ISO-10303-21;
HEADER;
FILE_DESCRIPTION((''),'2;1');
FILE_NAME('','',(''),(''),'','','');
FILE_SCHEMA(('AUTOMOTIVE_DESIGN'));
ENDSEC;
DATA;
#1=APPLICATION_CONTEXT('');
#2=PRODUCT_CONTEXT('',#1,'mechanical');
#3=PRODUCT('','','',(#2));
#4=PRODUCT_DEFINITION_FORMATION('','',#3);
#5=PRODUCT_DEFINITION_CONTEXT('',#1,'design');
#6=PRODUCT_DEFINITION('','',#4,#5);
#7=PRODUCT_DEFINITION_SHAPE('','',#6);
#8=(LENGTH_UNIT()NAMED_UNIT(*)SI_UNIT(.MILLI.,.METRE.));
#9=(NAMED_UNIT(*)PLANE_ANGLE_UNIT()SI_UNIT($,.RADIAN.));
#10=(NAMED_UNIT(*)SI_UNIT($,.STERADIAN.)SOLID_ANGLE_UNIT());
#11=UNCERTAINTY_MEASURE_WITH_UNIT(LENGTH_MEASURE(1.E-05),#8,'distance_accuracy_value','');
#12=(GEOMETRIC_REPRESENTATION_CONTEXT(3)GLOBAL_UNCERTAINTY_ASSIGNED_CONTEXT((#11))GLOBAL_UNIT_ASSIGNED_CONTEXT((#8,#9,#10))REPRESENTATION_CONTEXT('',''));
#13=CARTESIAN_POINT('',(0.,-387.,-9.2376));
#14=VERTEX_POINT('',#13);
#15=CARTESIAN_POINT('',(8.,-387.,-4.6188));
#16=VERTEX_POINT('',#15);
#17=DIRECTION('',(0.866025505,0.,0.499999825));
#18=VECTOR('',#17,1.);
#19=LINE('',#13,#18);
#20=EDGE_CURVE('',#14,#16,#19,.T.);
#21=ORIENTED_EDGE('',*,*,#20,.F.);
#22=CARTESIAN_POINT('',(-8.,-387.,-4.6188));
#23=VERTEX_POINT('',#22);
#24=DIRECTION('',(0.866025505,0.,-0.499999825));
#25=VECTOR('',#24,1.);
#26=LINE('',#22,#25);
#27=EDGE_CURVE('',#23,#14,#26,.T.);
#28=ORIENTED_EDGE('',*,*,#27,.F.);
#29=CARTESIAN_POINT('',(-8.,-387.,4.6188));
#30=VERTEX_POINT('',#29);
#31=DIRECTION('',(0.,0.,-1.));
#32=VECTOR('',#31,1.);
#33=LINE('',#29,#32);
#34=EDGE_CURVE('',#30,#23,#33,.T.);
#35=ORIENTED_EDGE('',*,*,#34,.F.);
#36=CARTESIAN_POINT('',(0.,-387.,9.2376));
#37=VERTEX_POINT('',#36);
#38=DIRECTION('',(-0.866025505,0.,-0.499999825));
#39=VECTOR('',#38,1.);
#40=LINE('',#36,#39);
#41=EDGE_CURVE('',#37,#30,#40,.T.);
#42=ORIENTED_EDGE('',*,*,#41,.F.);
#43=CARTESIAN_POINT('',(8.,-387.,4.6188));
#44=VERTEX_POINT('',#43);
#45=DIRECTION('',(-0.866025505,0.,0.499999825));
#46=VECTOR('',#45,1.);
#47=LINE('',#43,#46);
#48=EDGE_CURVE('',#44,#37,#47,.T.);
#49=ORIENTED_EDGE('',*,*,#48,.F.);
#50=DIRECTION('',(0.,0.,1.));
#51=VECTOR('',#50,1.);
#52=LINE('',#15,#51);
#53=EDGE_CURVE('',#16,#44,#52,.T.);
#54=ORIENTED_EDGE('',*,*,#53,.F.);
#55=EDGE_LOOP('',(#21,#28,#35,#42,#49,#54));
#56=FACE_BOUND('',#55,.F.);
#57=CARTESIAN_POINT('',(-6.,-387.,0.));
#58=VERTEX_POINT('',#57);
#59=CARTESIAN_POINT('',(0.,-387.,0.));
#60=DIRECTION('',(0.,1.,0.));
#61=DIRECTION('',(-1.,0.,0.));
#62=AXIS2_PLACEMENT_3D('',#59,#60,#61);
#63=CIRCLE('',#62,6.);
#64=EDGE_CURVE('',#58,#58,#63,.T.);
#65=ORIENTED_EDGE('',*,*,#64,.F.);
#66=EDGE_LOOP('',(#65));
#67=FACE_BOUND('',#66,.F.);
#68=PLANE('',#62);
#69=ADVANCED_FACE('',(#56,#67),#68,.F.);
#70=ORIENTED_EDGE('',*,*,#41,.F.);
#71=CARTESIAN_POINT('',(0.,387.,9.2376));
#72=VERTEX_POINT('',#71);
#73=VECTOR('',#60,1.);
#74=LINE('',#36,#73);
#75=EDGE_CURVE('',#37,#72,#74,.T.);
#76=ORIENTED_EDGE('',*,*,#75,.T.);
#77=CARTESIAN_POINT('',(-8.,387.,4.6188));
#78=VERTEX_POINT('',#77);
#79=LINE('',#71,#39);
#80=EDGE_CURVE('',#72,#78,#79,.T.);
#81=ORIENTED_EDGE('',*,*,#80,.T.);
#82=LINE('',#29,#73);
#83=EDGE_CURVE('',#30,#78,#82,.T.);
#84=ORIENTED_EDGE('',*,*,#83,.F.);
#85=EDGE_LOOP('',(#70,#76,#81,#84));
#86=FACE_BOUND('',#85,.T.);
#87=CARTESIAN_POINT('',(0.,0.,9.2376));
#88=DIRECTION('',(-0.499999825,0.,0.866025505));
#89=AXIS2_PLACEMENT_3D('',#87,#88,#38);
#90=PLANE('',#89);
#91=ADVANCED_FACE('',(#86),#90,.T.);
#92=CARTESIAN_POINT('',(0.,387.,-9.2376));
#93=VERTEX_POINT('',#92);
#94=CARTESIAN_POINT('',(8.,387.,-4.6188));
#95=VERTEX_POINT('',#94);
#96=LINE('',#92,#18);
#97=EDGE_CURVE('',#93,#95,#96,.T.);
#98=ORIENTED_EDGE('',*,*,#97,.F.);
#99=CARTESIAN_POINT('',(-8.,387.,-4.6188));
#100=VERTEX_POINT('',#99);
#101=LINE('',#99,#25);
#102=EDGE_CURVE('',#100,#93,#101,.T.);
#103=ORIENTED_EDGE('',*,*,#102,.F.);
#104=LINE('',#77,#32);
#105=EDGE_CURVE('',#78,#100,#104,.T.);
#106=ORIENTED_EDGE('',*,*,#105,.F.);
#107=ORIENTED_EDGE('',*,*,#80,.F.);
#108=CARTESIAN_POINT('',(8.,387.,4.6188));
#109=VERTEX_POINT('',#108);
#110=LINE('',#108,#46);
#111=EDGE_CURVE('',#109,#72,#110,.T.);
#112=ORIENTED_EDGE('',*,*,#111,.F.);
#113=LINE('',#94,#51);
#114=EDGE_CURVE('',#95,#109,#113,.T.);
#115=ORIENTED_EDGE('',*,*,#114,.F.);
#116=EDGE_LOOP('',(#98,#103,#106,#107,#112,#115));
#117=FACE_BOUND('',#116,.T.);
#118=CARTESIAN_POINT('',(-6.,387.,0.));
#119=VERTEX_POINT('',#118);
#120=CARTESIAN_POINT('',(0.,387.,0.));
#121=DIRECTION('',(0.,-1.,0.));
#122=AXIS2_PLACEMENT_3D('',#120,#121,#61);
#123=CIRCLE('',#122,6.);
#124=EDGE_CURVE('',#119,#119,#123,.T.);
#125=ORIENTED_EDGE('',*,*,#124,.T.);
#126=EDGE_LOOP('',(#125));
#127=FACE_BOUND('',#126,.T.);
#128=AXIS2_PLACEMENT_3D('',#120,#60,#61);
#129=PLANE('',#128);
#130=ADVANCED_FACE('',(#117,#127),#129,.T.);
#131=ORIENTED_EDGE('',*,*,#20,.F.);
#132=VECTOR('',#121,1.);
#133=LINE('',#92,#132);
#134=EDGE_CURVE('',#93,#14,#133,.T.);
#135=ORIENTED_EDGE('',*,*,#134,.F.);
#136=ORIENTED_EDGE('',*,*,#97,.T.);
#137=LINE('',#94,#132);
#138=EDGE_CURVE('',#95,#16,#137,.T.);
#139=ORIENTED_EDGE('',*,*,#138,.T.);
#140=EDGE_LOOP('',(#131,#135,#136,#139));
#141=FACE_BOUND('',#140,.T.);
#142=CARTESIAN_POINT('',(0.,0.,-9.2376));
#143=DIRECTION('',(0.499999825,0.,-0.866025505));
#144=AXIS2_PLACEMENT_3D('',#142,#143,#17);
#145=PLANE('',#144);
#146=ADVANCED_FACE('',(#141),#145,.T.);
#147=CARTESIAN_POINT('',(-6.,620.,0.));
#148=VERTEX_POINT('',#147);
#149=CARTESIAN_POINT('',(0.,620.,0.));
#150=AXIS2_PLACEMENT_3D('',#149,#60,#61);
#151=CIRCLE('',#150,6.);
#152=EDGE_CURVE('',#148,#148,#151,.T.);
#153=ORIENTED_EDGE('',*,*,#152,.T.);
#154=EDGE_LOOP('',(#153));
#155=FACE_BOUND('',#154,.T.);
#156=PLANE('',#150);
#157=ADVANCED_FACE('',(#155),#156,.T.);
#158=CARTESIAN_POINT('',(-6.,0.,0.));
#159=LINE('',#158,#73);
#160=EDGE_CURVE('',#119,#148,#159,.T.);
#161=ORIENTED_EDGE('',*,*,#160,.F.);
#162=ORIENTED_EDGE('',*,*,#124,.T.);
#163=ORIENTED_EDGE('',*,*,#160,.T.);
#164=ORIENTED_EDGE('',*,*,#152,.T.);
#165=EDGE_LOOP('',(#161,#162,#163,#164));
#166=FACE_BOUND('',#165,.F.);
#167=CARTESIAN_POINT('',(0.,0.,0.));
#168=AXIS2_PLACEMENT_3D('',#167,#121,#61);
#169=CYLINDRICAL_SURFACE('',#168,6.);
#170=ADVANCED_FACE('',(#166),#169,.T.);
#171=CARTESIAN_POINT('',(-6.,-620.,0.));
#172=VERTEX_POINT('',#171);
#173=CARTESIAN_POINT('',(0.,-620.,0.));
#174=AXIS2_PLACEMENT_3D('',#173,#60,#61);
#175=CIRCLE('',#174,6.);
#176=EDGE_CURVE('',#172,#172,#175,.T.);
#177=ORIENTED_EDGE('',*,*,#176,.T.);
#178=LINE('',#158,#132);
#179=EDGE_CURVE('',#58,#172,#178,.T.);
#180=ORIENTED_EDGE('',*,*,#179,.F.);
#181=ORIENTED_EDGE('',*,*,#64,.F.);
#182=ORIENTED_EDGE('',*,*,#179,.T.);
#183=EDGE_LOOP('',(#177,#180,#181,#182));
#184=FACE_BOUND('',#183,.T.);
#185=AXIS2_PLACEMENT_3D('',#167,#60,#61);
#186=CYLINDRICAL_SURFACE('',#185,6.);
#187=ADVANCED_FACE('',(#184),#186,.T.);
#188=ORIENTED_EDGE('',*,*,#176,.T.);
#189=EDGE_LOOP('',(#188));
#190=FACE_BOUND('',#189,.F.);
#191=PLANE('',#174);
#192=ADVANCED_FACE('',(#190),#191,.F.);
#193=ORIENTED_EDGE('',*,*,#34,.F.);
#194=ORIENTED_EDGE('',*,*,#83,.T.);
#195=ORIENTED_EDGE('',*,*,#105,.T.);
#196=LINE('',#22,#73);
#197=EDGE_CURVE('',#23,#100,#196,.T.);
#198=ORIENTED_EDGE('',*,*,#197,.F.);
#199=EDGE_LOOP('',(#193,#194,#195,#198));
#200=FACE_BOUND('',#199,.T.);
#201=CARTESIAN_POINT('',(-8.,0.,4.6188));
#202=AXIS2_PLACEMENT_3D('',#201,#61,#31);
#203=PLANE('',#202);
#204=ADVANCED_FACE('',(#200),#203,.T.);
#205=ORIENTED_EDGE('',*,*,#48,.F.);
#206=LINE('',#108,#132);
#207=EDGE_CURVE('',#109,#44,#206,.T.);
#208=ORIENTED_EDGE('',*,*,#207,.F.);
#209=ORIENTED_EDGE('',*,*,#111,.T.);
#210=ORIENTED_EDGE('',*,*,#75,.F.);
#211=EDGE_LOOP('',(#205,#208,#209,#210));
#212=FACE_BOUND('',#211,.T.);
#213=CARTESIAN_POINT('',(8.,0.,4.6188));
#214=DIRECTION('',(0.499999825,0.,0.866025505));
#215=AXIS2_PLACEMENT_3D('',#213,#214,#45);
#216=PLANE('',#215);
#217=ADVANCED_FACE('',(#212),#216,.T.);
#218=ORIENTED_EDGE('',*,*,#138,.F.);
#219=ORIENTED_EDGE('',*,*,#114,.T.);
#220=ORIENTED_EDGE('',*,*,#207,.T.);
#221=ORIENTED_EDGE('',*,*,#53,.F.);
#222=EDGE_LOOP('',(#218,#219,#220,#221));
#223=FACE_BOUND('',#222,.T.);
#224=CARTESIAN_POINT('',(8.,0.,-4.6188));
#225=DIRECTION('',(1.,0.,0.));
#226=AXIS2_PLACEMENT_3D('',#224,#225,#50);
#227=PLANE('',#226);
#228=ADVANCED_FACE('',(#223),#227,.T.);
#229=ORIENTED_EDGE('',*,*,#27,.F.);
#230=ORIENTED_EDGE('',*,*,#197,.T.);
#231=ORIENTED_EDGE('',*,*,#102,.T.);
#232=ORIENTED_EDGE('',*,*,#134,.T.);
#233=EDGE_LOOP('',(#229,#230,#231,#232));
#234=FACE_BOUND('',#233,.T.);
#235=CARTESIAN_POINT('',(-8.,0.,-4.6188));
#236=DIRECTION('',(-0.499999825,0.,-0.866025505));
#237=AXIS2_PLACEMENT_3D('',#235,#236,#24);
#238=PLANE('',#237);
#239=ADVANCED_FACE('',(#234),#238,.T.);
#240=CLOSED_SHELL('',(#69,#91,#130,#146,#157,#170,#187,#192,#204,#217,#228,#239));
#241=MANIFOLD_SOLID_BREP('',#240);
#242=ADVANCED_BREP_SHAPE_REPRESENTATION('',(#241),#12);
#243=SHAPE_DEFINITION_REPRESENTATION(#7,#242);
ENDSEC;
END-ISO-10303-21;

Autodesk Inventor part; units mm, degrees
ref_plane "YZ Plane" through (0, 0, 0) normal (1, 0, 0) x (0, 1, 0)
ref_plane "XZ Plane" through (0, 0, 0) normal (0, 1, 0) x (-1, 0, 0)
ref_plane "XY Plane" through (0, 0, 0) normal (0, 0, 1) x (1, 0, 0)
sketch "Sketch2" plane through (0, 0, 0) normal (0, 1, 0) x (-1, 0, 0)
  line L0 (8, -4.6188) -> (0, -9.2376)
  line L1 (0, -9.2376) -> (-8, -4.6188)
  line L2 (-8, -4.6188) -> (-8, 4.6188)
  line L3 (-8, 4.6188) -> (0, 9.2376)
  line L4 (0, 9.2376) -> (8, 4.6188)
  line L5 (8, 4.6188) -> (8, -4.6188)
  point P0 (0, 0)
  point P1 (0, 0)
  dimension "d3" = 16
extrude "Extrusion2" add sketch "Sketch2" along normal mid plane 774
sketch "Sketch3" plane through (0, 0, 0) normal (0, 1, 0) x (-1, 0, 0)
  circle A0 centre (0, 0) radius 6
  dimension "d6" = 12
extrude "Extrusion3" add sketch "Sketch3" along normal mid plane 1240
properties part number "tuboSolido12.7x1240"
